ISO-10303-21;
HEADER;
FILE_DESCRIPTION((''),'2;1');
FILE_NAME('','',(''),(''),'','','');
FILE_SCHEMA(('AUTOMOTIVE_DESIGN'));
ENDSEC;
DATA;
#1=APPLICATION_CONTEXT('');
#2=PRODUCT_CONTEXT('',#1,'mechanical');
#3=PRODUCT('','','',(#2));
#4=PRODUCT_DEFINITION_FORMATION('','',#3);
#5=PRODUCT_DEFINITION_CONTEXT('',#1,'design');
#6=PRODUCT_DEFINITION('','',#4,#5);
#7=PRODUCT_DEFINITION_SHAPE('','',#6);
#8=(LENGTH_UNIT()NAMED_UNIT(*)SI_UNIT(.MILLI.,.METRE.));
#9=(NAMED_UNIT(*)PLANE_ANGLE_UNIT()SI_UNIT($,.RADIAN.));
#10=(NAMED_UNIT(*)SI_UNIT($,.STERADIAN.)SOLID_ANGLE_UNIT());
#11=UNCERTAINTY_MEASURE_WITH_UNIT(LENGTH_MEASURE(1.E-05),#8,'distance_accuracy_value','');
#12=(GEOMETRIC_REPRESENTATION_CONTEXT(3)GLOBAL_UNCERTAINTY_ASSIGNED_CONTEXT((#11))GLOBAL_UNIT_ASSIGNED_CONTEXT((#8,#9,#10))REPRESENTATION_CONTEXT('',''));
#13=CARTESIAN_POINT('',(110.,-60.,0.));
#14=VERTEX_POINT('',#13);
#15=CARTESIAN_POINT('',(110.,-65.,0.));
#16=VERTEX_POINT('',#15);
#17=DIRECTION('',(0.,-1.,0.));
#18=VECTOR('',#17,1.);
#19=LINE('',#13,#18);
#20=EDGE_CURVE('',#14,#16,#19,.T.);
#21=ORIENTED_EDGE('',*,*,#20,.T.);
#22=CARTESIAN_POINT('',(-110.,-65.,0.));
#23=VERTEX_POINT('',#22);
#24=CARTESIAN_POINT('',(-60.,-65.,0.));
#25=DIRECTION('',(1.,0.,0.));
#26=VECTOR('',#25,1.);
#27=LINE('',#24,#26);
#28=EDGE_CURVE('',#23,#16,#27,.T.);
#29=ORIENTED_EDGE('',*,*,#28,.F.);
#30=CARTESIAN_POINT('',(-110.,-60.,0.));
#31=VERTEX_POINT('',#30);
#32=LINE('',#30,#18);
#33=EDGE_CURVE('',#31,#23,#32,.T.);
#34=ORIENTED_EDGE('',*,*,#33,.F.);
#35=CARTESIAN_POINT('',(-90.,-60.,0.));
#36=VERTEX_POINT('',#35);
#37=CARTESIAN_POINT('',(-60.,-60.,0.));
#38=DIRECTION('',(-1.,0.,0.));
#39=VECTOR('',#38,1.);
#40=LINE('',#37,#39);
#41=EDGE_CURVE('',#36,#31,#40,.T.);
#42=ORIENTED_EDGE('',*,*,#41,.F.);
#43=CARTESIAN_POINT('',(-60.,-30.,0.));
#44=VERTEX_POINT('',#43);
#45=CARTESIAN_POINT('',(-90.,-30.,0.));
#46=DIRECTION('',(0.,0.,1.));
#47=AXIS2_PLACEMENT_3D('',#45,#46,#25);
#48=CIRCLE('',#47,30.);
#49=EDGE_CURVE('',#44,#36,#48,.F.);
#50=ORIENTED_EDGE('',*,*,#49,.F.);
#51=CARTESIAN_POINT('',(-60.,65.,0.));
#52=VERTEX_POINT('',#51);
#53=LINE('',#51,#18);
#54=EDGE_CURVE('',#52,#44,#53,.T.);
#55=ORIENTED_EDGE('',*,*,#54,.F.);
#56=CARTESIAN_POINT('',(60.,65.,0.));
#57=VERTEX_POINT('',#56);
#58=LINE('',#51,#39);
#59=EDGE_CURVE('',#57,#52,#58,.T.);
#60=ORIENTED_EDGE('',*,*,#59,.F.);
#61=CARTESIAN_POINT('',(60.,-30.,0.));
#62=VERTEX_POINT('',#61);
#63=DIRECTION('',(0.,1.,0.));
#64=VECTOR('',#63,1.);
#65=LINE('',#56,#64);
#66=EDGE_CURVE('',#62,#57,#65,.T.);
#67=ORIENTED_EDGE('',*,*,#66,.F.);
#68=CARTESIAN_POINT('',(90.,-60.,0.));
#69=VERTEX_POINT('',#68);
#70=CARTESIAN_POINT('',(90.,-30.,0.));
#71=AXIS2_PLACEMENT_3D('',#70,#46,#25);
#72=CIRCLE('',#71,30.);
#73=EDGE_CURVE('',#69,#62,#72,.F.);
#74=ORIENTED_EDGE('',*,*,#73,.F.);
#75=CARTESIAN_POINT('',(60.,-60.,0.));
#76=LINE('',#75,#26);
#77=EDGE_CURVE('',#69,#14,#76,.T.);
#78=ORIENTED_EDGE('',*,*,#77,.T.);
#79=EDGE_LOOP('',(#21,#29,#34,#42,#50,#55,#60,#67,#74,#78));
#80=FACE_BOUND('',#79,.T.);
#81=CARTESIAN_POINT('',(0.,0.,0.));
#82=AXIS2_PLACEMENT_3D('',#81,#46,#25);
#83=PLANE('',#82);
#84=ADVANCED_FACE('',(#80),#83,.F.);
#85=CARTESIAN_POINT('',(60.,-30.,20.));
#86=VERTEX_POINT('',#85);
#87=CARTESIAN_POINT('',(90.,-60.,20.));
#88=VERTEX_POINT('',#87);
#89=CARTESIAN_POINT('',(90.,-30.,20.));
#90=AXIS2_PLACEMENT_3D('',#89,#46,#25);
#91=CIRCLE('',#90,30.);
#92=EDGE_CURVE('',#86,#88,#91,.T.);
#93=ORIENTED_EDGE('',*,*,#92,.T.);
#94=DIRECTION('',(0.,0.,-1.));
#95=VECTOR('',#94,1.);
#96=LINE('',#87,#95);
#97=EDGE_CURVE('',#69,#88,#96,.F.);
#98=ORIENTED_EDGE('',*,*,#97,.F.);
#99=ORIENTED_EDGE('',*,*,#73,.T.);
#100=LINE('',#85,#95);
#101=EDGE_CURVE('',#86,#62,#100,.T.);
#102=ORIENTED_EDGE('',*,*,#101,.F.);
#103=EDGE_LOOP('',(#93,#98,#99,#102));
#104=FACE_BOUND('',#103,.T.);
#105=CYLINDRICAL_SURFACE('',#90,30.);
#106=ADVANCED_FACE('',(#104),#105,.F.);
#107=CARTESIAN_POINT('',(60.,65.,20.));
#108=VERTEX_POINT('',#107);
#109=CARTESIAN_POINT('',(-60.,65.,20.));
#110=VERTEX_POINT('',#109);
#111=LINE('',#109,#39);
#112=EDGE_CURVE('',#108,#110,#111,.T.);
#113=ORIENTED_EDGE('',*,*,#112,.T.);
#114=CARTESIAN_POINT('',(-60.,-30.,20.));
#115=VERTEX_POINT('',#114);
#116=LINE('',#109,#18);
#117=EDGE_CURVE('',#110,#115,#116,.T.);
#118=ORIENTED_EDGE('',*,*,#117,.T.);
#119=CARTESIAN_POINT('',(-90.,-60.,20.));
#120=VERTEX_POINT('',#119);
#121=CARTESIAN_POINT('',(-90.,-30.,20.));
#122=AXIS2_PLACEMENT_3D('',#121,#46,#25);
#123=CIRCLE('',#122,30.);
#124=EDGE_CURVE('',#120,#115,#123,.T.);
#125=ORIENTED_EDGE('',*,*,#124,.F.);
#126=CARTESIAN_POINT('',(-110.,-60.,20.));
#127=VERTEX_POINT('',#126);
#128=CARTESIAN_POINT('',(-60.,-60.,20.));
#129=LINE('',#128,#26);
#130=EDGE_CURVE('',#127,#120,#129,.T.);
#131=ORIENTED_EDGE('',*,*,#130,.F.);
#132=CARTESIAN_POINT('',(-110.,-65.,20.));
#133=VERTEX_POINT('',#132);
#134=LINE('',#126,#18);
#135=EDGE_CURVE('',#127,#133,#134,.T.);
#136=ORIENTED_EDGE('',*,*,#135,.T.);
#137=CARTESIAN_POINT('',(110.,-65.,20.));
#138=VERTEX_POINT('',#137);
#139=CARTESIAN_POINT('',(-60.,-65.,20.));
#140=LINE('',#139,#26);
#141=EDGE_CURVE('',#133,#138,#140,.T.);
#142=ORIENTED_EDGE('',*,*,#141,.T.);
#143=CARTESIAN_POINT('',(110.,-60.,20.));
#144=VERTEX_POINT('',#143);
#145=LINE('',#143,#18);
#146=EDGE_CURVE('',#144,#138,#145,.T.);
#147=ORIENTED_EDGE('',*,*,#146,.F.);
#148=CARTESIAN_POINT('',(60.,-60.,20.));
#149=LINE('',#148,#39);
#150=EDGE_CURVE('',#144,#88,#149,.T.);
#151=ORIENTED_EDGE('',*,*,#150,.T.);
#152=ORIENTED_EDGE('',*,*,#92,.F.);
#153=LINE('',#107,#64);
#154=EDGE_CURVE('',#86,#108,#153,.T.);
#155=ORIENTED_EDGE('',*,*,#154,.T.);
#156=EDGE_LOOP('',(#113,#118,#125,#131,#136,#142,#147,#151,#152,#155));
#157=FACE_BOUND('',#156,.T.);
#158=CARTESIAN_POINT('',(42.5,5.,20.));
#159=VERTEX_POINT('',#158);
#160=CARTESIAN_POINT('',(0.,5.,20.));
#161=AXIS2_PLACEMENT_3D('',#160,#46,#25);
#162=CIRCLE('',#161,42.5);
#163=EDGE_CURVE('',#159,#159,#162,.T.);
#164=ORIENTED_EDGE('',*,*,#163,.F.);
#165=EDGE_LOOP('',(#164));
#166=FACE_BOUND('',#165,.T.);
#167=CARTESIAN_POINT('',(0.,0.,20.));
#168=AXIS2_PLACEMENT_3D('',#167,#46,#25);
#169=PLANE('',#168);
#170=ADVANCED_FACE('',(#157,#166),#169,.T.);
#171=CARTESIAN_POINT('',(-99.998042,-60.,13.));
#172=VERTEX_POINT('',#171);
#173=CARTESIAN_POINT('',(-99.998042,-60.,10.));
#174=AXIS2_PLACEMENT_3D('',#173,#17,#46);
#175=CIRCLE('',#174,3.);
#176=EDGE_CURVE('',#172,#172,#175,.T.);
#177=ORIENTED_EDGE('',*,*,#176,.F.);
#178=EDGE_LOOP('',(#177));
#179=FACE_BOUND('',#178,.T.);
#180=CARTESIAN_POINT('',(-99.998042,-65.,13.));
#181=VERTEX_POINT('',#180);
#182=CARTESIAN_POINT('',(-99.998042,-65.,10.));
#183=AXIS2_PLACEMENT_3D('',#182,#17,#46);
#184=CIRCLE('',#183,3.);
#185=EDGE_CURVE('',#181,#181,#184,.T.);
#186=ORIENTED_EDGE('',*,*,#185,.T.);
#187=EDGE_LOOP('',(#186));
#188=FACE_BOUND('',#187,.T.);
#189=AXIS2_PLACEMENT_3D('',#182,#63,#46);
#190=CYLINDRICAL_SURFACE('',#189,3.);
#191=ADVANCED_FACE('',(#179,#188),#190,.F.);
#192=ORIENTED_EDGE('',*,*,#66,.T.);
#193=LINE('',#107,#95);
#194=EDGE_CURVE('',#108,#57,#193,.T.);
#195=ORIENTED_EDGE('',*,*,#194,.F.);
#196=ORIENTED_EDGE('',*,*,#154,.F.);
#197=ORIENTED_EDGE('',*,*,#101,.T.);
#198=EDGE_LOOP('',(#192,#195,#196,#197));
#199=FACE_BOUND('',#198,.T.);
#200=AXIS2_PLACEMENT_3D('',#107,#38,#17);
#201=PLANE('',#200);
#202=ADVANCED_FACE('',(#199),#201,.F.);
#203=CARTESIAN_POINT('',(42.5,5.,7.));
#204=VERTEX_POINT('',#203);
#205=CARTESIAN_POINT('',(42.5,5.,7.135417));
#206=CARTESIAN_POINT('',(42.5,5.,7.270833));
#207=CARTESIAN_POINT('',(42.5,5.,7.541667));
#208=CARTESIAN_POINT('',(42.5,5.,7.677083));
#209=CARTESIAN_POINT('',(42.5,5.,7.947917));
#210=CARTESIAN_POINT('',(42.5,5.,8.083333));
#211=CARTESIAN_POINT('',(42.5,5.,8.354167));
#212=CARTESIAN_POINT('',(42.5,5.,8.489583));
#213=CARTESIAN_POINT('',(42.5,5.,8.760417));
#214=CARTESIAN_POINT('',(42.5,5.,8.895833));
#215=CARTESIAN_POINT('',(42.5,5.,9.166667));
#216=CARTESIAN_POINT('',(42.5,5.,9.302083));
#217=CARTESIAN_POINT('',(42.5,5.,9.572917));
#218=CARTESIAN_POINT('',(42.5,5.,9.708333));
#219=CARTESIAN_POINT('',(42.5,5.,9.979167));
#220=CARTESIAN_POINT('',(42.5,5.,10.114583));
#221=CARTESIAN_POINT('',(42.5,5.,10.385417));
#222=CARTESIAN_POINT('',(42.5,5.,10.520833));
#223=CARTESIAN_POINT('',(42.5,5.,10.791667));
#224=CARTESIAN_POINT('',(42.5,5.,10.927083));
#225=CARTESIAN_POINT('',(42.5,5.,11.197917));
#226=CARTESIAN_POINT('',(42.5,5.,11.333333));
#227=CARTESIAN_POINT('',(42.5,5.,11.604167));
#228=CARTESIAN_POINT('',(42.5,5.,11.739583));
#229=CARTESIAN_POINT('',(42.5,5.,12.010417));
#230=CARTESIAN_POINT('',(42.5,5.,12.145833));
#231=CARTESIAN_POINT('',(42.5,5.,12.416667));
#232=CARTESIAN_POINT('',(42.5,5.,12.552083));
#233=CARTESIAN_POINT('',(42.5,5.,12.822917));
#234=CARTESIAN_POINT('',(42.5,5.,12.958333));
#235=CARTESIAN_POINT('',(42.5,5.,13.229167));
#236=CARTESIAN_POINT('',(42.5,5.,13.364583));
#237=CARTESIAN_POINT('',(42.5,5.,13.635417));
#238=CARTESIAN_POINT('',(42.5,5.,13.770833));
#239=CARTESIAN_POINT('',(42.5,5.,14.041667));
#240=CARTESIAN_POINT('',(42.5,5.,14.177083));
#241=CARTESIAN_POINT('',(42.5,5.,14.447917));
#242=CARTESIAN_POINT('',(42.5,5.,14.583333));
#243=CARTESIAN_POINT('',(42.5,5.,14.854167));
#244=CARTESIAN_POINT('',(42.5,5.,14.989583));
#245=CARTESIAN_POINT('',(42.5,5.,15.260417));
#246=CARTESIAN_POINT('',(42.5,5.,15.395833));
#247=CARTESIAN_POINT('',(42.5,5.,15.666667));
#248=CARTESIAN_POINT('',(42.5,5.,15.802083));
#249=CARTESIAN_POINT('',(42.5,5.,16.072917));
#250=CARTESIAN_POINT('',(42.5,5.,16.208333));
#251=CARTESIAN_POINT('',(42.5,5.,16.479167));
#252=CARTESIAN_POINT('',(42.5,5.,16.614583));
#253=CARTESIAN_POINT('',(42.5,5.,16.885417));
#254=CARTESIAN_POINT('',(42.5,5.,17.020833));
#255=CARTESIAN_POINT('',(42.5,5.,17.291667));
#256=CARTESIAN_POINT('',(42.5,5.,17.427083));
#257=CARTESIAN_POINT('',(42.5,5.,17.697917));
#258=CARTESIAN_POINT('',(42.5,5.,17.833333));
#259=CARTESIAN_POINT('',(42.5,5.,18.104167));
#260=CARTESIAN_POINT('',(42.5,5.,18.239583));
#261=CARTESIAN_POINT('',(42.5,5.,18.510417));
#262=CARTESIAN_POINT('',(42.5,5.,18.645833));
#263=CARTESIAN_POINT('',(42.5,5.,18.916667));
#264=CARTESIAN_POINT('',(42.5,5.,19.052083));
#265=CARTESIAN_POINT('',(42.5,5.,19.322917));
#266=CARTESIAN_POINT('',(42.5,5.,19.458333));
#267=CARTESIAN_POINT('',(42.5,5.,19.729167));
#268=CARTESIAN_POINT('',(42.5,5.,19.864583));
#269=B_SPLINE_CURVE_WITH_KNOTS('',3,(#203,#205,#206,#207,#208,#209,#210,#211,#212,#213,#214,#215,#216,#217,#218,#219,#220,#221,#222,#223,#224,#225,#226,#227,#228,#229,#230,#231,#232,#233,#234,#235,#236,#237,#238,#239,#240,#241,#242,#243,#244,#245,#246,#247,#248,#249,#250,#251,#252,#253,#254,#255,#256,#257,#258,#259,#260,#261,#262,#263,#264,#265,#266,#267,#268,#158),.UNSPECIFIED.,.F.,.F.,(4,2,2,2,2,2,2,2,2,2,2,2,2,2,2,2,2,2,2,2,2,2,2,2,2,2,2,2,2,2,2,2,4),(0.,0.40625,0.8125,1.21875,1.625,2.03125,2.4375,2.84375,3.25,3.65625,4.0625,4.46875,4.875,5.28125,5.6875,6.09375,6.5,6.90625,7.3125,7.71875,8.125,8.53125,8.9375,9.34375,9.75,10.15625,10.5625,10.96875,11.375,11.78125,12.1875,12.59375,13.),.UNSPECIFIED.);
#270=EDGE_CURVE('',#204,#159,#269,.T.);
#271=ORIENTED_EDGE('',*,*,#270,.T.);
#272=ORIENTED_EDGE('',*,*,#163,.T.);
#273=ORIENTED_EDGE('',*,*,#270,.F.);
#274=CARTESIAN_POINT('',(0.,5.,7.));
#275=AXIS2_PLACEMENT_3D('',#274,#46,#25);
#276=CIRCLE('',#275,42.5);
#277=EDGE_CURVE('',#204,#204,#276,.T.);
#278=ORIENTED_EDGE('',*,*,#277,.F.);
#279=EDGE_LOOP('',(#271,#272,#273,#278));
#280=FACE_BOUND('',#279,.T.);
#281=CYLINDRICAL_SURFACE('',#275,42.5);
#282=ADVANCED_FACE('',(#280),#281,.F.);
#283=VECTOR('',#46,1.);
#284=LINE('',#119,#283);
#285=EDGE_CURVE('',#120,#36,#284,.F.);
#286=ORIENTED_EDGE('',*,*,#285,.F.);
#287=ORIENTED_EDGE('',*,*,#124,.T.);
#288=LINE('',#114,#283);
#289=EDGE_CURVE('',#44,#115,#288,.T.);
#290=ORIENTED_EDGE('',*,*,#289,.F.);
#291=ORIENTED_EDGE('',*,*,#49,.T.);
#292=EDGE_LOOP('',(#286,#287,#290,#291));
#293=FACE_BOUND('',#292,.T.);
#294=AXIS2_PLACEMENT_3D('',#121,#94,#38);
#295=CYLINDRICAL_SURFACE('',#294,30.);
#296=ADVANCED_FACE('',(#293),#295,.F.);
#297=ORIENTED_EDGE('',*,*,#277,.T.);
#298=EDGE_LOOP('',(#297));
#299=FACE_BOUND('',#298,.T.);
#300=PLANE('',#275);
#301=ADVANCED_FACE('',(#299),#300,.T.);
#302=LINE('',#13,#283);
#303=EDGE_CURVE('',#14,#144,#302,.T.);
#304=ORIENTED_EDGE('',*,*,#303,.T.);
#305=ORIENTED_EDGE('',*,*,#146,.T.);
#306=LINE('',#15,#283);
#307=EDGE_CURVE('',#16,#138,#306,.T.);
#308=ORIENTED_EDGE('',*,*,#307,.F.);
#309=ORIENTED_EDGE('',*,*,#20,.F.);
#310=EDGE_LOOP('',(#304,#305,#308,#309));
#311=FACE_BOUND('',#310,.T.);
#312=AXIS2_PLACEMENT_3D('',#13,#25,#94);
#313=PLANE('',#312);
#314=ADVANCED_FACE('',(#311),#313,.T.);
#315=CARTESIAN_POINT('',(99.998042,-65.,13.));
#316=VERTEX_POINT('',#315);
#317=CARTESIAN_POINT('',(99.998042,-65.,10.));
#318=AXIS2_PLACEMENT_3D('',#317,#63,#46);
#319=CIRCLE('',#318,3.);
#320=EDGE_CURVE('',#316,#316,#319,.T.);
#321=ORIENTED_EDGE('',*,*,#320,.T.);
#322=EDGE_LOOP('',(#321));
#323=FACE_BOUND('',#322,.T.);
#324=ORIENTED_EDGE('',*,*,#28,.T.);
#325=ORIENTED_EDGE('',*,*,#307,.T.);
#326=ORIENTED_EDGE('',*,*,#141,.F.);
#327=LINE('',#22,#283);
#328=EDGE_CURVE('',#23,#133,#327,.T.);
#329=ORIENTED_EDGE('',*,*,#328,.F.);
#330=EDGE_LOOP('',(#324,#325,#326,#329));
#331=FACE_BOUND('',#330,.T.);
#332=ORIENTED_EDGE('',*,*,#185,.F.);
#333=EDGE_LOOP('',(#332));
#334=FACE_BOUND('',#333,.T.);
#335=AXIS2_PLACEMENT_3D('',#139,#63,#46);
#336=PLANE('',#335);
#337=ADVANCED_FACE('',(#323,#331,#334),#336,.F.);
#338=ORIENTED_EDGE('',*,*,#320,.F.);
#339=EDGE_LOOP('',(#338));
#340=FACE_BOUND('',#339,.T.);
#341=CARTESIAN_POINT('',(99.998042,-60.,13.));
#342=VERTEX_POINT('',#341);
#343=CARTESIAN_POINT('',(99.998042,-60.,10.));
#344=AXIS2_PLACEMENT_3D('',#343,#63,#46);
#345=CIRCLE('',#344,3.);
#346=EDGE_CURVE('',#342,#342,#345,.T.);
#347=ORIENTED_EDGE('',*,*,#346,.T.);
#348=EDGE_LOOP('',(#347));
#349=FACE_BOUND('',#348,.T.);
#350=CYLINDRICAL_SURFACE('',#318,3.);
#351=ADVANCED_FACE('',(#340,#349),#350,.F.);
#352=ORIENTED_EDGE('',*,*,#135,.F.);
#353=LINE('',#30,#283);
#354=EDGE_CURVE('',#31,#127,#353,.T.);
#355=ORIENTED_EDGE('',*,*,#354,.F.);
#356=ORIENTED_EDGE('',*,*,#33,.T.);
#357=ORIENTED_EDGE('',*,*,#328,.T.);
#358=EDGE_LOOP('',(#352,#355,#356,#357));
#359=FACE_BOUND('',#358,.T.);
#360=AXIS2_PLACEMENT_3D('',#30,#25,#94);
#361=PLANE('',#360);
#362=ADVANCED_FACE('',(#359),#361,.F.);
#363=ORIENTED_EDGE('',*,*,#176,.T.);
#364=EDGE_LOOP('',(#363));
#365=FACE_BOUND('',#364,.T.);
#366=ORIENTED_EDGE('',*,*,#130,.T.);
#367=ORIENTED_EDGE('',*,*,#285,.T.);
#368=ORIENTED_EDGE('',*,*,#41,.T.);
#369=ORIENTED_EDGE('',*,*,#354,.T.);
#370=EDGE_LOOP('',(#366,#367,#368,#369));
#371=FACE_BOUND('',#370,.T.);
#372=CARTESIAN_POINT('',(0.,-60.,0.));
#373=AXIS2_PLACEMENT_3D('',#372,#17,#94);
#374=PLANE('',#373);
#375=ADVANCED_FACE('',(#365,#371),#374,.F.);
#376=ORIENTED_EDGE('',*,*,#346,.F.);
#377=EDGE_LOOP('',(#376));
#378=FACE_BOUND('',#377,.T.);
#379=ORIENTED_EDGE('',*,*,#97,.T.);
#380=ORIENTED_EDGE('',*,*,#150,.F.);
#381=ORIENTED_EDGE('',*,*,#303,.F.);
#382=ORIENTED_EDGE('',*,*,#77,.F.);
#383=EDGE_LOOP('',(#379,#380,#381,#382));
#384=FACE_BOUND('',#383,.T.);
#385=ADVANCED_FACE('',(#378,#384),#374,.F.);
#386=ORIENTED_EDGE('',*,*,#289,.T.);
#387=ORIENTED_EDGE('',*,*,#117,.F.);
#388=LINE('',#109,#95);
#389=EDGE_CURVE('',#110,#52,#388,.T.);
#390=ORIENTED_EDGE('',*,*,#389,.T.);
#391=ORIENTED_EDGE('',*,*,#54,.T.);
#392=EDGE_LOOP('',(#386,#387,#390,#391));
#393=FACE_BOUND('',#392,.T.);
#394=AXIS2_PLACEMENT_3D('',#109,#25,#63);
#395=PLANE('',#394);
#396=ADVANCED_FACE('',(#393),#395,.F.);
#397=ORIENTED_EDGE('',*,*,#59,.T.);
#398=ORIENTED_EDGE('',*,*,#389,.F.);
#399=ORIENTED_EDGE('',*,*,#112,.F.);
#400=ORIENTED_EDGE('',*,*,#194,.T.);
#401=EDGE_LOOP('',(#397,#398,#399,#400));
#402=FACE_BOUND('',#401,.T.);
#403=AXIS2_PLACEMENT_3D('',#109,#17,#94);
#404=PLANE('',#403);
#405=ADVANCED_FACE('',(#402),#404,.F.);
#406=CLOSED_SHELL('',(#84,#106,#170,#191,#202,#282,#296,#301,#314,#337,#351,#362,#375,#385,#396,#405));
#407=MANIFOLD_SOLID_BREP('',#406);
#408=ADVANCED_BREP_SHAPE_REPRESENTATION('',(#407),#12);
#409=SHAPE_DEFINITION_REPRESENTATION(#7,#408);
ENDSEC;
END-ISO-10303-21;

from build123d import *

# Parameters (mm, degrees)
SKETCH_1_W          = 120
SKETCH_1_H          = 130
EXTRUDE_1_DEPTH     = 20
SKETCH_2_R          = 42.5
CUT_EXTRUDE_1_DEPTH = 13
SKETCH_4_W          = 50
SKETCH_4_H          = 20
EXTRUDE_2_DEPTH     = 5
FILLET_2_R          = 30
FILLET_3_R          = 30
SKETCH_5_R          = 3
CUT_EXTRUDE_2_DEPTH = 168.705098312


with BuildPart() as part:
    # 草图1 → 凸台-拉伸1 (new body)
    with BuildSketch(Plane.XY):
        Rectangle(SKETCH_1_W, SKETCH_1_H)
    extrude(amount=EXTRUDE_1_DEPTH)

    # 草图2 → 切除-拉伸1 (cut)
    with BuildSketch(Plane.XY.offset(20)):
        with Locations((0, 5)):
            Circle(SKETCH_2_R)
    extrude(amount=-CUT_EXTRUDE_1_DEPTH, mode=Mode.SUBTRACT)

    # 草图4 → 凸台-拉伸2 (add)
    with BuildSketch(Plane.XZ.offset(65)):
        with Locations((85, 10)):
            Rectangle(SKETCH_4_W, SKETCH_4_H)
    extrude_2 = extrude(amount=-EXTRUDE_2_DEPTH)

    # 圆角2
    fillet_2_edges = [part.edges().sort_by_distance(p)[0] for p in [
        (60, -60, 10),
    ]]
    fillet(fillet_2_edges, radius=FILLET_2_R)

    # 镜向4: 凸台-拉伸2 across plane
    add(extrude_2.mirror(Plane(origin=(0, 0, 0), x_dir=(0, 0, 1), z_dir=(1, 0, 0))))

    # 圆角3
    fillet_3_edges = [part.edges().sort_by_distance(p)[0] for p in [
        (-60, -60, 10),
    ]]
    fillet(fillet_3_edges, radius=FILLET_3_R)

    # 草图5 → 切除-拉伸2 (cut, through all)
    with BuildSketch(Plane(origin=(0, -60, 0), x_dir=(1, 0, 0), z_dir=(0, 1, 0))):
        with Locations(Location((99.998041833, -10, 0), (0, 0, 270))):
            Circle(SKETCH_5_R)
    cut_extrude_2 = extrude(amount=-CUT_EXTRUDE_2_DEPTH, mode=Mode.SUBTRACT)

    # 镜向6: 切除-拉伸2 across plane
    add(cut_extrude_2.mirror(Plane(origin=(0, 0, 0), x_dir=(0, 0, 1), z_dir=(1, 0, 0))), mode=Mode.SUBTRACT)


solid = part.part
